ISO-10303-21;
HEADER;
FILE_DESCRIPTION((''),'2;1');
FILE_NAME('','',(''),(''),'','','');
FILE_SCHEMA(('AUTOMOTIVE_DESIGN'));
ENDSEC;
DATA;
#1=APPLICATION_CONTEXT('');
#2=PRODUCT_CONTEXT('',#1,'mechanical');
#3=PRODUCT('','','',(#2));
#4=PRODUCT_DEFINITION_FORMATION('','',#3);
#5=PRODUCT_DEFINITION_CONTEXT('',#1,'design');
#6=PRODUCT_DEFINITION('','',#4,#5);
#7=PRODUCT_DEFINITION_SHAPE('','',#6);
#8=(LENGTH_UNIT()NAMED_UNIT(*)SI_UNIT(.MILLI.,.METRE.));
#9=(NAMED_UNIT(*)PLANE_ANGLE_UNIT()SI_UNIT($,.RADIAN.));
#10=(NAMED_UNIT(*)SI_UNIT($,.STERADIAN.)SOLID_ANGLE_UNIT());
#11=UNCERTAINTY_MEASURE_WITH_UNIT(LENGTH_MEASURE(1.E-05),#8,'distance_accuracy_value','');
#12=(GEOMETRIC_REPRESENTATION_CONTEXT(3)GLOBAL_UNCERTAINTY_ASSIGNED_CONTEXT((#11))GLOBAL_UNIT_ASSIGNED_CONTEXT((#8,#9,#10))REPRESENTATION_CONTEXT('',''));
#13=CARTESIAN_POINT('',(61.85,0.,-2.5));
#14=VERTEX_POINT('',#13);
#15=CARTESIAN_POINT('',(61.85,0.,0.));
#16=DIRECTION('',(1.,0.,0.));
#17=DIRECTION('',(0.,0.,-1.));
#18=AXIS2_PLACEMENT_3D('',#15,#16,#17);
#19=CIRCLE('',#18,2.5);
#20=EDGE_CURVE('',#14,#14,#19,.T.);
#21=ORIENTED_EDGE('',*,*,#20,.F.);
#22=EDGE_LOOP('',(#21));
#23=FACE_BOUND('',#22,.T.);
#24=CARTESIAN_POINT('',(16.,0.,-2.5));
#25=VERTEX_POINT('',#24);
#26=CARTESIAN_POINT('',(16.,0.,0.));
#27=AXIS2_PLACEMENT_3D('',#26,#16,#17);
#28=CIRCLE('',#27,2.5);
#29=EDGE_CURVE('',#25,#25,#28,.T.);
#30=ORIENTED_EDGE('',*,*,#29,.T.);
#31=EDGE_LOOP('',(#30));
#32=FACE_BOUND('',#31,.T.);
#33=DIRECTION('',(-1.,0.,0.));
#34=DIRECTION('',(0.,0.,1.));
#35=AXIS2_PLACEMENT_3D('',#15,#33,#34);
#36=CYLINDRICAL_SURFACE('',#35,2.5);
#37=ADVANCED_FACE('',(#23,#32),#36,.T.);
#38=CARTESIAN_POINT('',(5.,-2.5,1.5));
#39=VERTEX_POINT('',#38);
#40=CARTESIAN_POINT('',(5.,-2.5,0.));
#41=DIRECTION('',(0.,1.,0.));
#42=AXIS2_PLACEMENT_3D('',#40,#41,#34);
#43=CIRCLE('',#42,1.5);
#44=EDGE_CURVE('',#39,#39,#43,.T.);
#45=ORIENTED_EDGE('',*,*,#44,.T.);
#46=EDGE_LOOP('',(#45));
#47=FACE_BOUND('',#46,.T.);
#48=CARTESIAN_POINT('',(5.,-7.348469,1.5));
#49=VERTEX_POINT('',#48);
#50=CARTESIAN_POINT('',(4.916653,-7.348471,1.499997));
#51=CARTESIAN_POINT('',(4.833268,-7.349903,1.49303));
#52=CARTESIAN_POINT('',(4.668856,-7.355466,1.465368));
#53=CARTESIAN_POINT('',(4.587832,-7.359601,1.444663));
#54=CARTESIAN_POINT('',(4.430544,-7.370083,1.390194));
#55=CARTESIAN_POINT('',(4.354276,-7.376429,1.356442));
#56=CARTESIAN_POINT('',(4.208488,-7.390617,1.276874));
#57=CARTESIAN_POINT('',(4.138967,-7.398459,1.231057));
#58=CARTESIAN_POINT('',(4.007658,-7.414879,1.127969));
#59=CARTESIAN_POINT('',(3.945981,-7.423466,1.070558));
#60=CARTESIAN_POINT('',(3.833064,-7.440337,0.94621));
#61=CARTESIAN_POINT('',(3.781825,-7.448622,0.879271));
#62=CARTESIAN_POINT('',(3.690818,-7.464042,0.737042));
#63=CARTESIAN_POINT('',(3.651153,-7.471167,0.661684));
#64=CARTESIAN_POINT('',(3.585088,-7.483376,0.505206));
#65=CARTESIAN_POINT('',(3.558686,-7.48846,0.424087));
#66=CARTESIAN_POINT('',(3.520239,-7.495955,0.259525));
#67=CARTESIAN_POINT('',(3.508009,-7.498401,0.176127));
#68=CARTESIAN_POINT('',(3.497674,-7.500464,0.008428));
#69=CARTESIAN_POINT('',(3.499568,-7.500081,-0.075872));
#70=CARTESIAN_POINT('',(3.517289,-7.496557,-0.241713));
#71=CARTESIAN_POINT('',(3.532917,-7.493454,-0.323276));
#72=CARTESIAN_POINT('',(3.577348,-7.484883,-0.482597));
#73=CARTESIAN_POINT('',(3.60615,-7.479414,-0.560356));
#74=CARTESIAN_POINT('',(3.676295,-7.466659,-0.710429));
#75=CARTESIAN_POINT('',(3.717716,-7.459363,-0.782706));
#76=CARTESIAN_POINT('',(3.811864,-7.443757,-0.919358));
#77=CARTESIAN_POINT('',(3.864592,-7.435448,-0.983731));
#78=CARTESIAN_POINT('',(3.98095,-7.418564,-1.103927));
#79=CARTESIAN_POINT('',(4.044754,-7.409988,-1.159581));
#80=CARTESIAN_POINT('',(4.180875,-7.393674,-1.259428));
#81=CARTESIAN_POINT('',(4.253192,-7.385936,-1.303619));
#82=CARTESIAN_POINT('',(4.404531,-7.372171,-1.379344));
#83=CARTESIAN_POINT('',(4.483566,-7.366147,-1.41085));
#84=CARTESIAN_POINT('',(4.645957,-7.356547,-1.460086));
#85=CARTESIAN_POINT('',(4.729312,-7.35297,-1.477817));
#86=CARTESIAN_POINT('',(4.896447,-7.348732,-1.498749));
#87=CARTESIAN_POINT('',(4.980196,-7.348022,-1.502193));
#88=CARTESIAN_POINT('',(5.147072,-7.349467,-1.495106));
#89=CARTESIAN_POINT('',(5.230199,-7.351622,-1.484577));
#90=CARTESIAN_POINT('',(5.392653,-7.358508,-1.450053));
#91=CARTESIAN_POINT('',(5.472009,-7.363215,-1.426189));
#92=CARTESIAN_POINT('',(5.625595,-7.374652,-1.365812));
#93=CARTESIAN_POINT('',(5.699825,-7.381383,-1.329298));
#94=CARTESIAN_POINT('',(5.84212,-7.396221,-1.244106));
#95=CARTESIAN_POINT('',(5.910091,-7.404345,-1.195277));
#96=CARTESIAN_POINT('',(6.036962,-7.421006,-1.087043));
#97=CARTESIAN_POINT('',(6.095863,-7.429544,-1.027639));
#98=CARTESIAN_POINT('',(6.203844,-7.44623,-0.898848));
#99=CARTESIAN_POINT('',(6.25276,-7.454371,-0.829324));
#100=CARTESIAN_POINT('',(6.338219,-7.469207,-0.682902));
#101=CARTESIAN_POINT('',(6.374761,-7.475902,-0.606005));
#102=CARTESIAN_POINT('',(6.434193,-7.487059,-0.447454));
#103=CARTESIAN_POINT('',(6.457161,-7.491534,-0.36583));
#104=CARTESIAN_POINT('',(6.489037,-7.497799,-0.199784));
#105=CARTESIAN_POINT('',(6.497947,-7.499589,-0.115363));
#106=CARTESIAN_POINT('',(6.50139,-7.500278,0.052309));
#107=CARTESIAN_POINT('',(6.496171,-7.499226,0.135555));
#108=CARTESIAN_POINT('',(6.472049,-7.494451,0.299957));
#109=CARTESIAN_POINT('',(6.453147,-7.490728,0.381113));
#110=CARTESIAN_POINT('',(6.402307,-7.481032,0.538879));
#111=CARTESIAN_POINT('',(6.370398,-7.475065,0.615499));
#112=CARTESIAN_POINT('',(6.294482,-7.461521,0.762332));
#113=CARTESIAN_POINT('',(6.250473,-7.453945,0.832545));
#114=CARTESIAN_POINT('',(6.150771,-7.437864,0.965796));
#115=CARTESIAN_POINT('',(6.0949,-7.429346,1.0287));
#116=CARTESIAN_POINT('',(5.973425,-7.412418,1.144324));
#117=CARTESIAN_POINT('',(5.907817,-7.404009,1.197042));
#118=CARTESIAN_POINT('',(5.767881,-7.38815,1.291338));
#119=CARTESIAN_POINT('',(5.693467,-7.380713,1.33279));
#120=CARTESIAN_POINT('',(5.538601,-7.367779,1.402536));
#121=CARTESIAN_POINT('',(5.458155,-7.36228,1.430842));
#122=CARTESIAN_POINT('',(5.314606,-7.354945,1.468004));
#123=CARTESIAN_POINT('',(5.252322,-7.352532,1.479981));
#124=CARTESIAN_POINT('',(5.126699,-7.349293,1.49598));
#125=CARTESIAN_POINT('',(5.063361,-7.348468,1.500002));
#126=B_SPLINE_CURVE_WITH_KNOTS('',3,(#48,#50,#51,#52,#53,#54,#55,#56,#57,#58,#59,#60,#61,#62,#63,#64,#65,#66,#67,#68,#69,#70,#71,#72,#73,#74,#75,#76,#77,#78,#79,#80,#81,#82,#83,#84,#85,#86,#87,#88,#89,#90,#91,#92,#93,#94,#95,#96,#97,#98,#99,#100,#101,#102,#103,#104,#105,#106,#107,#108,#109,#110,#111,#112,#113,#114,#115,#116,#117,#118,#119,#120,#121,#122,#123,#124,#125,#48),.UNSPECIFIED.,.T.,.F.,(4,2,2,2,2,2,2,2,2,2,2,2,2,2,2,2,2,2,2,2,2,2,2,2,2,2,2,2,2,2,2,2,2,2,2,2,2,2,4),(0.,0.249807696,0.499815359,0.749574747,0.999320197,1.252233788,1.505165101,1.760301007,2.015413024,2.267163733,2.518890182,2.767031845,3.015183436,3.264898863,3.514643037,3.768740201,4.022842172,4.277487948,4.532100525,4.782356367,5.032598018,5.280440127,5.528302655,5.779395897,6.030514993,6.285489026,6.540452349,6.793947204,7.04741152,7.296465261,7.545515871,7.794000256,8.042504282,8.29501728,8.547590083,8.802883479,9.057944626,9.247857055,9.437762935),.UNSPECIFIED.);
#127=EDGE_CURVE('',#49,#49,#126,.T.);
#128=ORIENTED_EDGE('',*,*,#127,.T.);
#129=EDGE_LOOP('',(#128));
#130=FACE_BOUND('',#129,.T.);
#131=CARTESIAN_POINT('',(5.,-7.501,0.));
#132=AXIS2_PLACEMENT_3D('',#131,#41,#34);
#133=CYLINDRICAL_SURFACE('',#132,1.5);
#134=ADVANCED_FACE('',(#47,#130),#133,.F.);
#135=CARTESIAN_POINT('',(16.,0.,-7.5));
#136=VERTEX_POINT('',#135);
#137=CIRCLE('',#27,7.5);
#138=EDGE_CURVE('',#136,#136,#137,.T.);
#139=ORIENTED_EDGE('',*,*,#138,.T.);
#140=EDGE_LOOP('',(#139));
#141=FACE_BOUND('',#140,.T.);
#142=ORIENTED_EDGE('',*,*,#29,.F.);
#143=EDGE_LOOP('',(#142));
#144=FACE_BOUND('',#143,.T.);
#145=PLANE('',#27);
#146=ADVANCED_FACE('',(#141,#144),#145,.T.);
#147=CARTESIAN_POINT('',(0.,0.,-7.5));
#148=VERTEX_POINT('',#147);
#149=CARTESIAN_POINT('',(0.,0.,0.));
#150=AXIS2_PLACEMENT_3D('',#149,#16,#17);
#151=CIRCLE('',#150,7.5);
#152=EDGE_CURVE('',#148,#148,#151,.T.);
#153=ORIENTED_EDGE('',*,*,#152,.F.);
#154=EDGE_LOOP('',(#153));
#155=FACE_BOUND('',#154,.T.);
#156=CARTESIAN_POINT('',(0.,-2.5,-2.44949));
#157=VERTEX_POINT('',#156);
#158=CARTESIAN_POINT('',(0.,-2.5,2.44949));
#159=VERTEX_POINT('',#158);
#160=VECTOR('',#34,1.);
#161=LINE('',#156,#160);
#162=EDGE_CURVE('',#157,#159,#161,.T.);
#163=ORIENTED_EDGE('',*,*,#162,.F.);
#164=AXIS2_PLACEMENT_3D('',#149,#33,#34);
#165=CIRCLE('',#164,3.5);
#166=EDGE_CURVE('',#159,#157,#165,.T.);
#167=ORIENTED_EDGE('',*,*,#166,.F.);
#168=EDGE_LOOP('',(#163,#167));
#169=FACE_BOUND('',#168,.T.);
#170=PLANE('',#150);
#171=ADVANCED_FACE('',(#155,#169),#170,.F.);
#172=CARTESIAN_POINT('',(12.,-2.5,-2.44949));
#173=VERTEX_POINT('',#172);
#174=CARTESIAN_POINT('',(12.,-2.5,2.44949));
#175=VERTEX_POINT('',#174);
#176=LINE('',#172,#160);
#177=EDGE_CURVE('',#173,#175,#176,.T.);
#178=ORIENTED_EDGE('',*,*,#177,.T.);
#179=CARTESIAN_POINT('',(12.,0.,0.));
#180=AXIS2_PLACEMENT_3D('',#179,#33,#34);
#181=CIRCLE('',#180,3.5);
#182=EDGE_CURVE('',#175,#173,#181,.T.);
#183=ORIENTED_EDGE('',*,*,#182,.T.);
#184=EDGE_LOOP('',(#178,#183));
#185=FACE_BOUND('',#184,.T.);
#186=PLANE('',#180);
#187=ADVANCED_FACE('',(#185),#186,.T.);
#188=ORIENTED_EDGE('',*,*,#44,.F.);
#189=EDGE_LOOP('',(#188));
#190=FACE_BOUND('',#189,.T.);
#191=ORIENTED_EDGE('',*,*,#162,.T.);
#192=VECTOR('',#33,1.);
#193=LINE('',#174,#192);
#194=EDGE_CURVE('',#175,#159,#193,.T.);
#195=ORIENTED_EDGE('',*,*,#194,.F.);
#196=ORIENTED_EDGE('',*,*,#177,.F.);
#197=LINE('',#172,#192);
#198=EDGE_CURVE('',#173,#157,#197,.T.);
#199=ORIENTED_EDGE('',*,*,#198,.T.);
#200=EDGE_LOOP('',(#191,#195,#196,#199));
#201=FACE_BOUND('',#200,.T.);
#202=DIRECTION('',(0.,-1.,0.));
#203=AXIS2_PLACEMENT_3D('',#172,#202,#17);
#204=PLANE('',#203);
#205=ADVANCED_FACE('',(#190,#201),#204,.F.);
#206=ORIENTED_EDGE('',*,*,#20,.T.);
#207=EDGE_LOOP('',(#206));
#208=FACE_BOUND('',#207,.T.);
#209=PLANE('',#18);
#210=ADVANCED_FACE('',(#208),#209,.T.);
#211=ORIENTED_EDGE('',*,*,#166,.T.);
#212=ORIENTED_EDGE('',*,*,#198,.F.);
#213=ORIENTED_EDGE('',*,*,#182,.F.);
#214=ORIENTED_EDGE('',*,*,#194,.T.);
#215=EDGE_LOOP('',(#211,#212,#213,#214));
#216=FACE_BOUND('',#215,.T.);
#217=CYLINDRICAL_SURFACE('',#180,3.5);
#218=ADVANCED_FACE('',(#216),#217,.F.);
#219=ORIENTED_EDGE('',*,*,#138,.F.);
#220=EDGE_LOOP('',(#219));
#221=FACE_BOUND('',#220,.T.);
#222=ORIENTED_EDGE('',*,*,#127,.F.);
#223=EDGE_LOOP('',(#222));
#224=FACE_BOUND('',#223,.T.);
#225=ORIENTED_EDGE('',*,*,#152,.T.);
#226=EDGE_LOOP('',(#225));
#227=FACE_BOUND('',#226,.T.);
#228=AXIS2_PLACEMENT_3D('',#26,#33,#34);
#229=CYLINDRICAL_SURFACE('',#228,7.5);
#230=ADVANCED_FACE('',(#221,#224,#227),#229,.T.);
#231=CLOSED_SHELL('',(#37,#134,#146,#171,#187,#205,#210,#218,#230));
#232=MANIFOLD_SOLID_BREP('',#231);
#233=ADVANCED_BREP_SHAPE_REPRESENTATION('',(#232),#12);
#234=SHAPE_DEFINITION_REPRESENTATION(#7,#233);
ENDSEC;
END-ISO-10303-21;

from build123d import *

# Parameters (mm, degrees)
SKETCH1_R               = 7.5
BOSS_EXTRUDE1_DEPTH     = 16
SKETCH2_R               = 2.5
BOSS_EXTRUDE2_DEPTH     = 45.85
CUT_EXTRUDE1_DEPTH      = 12
CUT_EXTRUDE2_REACH      = 65.1
CUT_EXTRUDE2_END_RADIUS = 7.5
SKETCH4_R               = 1.5


with BuildPart() as part:
    # Sketch1 → Boss-Extrude1 (new body)
    with BuildSketch(Plane(origin=(0, 0, 0), x_dir=(0, 0, -1), z_dir=(1, 0, 0))):
        Circle(SKETCH1_R)
    extrude(amount=BOSS_EXTRUDE1_DEPTH)

    # Sketch2 → Boss-Extrude2 (add)
    with BuildSketch(Plane(origin=(16, 0, 0), x_dir=(0, 0, -1), z_dir=(1, 0, 0))):
        Circle(SKETCH2_R)
    extrude(amount=BOSS_EXTRUDE2_DEPTH)

    # Sketch3 → Cut-Extrude1 (cut)
    with BuildSketch(Plane.ZY):
        with BuildLine():
            Line((-2.449489743, -2.5), (2.449489743, -2.5))
            ThreePointArc((2.449489743, -2.5), (0, 3.5), (-2.449489743, -2.5))
        make_face()
    extrude(amount=-CUT_EXTRUDE1_DEPTH, mode=Mode.SUBTRACT)

    # Cut-Extrude2: up to this cylinder (the profile starts inside it)
    cut_extrude2_end = Plane(origin=(5, 0, 0), z_dir=(-1, 0, 0)) * Cylinder(CUT_EXTRUDE2_END_RADIUS, 146.2, mode=Mode.PRIVATE)
    # Sketch4 → Cut-Extrude2 (cut, up to the surface)
    with BuildSketch(Plane(origin=(0, -2.5, 0), x_dir=(1, 0, 0), z_dir=(0, 1, 0)), mode=Mode.PRIVATE) as cut_extrude2_sk1:
        with Locations(Location((5, 0, 0), (0, 0, 270))):
            Circle(SKETCH4_R)
    cut_extrude2_tool1 = extrude(cut_extrude2_sk1.sketch, amount=-CUT_EXTRUDE2_REACH, mode=Mode.PRIVATE) & cut_extrude2_end
    add(cut_extrude2_tool1.solids().sort_by_distance((5, -2.5, 0))[0], mode=Mode.SUBTRACT)


solid = part.part
